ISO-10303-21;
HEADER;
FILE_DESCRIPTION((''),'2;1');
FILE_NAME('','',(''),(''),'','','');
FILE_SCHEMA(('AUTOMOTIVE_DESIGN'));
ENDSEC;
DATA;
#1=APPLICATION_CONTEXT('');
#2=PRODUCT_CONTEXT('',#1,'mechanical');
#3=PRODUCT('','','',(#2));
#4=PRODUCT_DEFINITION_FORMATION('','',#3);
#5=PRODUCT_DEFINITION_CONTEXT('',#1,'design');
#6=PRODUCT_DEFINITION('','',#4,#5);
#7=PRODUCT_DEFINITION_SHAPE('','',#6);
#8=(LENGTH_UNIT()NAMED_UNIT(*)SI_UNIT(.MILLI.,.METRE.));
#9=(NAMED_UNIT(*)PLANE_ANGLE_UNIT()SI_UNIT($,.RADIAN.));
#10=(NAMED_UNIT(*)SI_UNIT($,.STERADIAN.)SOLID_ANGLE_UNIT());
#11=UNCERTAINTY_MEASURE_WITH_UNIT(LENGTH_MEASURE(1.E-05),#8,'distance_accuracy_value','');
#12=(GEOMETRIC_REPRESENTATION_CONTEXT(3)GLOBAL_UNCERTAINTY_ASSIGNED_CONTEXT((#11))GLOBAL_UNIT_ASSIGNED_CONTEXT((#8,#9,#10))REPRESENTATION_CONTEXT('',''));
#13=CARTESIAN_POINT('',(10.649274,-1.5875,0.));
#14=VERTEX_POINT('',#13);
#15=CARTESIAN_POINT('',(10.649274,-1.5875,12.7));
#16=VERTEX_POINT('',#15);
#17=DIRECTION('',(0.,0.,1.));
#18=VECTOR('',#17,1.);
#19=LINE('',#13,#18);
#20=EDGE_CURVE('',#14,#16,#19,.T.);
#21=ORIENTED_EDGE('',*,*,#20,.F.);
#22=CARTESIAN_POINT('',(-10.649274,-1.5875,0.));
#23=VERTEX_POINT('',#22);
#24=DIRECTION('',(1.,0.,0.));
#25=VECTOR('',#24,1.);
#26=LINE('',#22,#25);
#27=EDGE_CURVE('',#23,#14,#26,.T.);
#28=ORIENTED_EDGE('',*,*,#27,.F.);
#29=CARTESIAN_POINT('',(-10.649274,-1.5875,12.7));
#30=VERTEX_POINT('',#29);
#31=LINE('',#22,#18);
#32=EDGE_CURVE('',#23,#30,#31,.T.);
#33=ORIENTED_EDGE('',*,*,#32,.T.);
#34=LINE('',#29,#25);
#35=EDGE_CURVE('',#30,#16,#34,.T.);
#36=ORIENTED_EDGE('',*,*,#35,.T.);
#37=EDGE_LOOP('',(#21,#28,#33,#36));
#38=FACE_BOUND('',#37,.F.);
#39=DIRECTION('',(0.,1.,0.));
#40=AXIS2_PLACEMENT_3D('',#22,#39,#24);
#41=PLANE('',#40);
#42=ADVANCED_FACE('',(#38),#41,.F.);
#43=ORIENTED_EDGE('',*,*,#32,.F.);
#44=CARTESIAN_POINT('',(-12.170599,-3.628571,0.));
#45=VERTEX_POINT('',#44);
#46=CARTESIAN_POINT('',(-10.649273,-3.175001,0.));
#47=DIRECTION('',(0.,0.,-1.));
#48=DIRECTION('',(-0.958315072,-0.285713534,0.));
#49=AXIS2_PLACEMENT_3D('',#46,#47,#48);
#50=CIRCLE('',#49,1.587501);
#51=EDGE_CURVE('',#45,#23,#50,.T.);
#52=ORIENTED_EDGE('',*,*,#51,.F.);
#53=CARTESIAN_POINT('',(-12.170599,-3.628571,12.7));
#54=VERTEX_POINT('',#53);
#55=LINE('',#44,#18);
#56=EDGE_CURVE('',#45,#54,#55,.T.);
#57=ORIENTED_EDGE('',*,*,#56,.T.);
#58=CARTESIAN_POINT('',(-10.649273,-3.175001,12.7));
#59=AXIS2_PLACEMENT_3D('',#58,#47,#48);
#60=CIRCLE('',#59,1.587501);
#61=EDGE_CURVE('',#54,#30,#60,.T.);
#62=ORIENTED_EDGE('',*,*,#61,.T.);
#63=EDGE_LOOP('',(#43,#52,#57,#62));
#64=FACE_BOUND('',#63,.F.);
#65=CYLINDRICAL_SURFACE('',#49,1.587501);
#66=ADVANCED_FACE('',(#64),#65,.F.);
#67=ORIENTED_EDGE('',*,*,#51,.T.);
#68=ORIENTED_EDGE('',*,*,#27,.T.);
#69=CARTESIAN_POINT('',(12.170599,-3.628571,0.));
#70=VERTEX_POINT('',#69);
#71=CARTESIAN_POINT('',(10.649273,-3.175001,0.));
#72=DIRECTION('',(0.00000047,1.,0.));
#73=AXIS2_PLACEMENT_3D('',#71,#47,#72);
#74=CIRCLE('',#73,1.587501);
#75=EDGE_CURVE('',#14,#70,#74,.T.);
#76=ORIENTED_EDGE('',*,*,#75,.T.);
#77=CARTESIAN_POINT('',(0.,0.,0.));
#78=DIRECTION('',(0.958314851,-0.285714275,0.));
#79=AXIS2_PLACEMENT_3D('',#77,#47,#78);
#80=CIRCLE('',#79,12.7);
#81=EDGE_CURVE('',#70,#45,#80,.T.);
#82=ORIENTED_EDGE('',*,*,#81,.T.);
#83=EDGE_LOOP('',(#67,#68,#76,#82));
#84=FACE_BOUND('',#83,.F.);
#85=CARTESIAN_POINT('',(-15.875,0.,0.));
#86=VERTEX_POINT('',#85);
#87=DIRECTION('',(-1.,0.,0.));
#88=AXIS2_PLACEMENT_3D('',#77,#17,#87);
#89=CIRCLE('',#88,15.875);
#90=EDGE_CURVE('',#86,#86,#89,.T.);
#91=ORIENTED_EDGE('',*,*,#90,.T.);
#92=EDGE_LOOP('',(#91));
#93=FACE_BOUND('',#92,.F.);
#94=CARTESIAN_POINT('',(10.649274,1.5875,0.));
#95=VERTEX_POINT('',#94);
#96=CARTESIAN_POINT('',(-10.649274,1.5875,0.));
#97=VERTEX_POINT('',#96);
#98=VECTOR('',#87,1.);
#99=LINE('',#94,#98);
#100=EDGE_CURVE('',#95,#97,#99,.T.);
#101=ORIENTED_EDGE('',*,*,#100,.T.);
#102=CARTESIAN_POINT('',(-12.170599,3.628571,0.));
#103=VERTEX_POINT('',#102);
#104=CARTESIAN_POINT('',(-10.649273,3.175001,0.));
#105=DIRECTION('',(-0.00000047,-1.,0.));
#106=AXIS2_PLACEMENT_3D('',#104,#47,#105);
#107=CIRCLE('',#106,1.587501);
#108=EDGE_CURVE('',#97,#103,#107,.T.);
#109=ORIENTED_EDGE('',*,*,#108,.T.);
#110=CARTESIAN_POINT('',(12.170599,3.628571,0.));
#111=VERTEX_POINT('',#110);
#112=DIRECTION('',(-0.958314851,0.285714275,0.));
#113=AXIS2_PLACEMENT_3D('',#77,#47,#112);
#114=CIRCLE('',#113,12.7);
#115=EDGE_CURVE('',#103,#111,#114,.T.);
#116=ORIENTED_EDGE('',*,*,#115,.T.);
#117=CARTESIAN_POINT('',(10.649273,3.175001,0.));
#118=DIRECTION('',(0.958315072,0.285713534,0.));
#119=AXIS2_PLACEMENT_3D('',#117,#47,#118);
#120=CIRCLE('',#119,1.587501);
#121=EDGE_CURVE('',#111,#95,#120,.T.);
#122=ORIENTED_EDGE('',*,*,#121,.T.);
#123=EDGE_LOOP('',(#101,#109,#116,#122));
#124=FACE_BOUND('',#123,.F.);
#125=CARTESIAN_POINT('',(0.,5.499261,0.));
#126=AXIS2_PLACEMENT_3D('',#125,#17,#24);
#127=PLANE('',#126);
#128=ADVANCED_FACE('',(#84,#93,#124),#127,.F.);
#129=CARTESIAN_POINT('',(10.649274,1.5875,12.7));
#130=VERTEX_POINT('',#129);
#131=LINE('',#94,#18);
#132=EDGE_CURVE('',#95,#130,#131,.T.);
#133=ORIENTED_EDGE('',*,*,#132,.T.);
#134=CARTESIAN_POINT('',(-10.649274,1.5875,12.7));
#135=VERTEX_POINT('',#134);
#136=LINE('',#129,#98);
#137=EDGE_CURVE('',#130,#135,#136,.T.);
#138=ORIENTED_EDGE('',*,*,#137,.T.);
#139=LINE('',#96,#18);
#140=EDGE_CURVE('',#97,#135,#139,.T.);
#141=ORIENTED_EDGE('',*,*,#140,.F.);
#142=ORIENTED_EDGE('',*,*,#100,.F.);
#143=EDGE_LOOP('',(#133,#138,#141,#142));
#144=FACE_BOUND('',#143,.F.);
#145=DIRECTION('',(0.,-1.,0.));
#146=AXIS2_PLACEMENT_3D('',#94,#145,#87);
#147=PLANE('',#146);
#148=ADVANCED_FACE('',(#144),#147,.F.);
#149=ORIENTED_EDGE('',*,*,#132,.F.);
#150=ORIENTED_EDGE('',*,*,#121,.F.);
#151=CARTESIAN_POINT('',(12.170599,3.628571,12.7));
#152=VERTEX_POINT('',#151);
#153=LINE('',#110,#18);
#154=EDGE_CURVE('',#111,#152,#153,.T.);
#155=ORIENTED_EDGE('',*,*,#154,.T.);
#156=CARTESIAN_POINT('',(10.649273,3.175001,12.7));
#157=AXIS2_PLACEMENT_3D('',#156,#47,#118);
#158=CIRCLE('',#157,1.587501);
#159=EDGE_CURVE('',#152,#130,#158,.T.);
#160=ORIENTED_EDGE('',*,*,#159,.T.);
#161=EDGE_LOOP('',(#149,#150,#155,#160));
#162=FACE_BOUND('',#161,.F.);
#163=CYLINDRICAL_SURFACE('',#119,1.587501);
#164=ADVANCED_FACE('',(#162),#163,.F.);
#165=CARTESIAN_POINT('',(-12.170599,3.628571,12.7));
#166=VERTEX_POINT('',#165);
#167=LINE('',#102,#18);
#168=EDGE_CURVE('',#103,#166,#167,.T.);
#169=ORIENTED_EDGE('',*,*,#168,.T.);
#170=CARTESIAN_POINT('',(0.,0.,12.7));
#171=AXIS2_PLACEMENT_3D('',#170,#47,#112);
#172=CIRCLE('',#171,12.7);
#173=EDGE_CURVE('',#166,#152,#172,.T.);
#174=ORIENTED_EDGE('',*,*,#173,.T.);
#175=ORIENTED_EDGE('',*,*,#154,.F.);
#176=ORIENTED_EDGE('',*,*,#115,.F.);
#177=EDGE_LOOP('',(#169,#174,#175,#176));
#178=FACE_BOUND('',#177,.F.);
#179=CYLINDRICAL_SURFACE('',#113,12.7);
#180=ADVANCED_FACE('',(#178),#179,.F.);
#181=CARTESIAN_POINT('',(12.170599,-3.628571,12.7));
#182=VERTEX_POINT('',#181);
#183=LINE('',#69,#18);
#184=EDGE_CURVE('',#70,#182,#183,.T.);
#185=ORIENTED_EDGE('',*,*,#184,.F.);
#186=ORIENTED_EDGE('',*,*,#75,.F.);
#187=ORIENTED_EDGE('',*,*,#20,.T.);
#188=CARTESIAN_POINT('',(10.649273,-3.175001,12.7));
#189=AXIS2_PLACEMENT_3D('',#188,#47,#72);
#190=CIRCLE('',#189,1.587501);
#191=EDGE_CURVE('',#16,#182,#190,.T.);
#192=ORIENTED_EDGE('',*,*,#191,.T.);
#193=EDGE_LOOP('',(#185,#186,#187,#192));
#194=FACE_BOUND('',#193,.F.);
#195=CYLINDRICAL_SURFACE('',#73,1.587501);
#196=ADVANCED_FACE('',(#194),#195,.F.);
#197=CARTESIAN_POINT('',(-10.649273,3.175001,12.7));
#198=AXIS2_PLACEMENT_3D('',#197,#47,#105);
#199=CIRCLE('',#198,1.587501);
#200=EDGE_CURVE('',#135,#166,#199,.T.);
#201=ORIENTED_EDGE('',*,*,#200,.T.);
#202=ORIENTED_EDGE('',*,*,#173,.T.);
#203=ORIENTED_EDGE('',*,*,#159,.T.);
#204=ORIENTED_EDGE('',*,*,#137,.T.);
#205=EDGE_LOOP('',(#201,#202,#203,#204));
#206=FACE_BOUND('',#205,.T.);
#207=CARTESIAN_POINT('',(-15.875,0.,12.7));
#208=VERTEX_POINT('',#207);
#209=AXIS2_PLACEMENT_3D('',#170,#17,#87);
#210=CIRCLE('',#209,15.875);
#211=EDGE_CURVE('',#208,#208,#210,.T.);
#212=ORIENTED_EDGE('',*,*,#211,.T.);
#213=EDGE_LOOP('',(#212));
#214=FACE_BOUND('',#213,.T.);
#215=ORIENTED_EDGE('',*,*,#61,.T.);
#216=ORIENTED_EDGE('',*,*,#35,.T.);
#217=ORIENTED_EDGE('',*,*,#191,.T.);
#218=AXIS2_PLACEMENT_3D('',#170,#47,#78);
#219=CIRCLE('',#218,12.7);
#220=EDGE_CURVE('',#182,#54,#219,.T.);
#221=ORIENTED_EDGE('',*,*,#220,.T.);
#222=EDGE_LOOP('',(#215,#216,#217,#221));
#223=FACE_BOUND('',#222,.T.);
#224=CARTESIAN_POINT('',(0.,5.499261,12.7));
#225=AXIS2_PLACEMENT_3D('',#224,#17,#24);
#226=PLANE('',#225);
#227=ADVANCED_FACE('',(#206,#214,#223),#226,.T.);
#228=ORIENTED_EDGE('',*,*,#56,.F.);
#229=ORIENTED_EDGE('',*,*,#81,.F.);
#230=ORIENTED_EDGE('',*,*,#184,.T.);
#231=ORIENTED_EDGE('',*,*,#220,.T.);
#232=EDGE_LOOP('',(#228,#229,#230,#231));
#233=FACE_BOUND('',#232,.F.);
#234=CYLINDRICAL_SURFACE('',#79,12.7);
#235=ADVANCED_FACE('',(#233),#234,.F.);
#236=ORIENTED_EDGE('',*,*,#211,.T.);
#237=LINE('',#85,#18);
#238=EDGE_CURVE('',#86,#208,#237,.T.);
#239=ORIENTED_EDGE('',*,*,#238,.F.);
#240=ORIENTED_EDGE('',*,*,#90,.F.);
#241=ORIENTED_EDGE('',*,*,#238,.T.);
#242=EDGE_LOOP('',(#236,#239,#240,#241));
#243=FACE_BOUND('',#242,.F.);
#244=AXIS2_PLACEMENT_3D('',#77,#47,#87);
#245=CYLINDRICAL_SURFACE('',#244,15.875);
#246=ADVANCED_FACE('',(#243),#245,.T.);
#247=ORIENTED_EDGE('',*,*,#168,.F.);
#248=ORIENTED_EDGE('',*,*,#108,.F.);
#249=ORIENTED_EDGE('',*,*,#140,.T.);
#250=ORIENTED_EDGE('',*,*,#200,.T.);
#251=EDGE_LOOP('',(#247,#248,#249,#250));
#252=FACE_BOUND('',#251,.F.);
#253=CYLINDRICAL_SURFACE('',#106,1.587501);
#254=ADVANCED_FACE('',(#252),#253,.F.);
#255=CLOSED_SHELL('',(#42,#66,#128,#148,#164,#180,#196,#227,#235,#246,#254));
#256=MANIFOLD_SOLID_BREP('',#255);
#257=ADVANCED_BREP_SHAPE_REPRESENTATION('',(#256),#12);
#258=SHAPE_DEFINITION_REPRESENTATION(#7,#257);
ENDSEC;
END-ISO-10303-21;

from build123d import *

# Parameters (mm, degrees)
F1_DEPTH = 12.7


with BuildPart() as f1:
    # F0 (on Top) → F1 (new body)
    with BuildSketch(Plane.XY):
        with BuildLine():
            Line((-15.875, 0), (15.875, 0))
            ThreePointArc((15.875, 0), (0, 15.875), (-15.875, 0))
        make_face()
        with BuildLine():
            Line((10.649274, 1.5875), (-10.649274, 1.5875))
            ThreePointArc((-10.649274, 1.5875), (-11.922105, 2.226287), (-12.170599, 3.628571))
            ThreePointArc((-12.170599, 3.628571), (0, 12.7), (12.170599, 3.628571))
            ThreePointArc((12.170599, 3.628571), (11.922105, 2.226287), (10.649274, 1.5875))
        make_face(mode=Mode.SUBTRACT)
        with BuildLine():
            ThreePointArc((-15.875, 0), (0, -15.875), (15.875, 0))
            Line((15.875, 0), (-15.875, 0))
        make_face()
        with BuildLine():
            ThreePointArc((12.170599, -3.628571), (0, -12.7), (-12.170599, -3.628571))
            ThreePointArc((-12.170599, -3.628571), (-11.922105, -2.226287), (-10.649274, -1.5875))
            Line((-10.649274, -1.5875), (10.649274, -1.5875))
            ThreePointArc((10.649274, -1.5875), (11.922105, -2.226287), (12.170599, -3.628571))
        make_face(mode=Mode.SUBTRACT)
    extrude(amount=F1_DEPTH)


solid = f1.part
